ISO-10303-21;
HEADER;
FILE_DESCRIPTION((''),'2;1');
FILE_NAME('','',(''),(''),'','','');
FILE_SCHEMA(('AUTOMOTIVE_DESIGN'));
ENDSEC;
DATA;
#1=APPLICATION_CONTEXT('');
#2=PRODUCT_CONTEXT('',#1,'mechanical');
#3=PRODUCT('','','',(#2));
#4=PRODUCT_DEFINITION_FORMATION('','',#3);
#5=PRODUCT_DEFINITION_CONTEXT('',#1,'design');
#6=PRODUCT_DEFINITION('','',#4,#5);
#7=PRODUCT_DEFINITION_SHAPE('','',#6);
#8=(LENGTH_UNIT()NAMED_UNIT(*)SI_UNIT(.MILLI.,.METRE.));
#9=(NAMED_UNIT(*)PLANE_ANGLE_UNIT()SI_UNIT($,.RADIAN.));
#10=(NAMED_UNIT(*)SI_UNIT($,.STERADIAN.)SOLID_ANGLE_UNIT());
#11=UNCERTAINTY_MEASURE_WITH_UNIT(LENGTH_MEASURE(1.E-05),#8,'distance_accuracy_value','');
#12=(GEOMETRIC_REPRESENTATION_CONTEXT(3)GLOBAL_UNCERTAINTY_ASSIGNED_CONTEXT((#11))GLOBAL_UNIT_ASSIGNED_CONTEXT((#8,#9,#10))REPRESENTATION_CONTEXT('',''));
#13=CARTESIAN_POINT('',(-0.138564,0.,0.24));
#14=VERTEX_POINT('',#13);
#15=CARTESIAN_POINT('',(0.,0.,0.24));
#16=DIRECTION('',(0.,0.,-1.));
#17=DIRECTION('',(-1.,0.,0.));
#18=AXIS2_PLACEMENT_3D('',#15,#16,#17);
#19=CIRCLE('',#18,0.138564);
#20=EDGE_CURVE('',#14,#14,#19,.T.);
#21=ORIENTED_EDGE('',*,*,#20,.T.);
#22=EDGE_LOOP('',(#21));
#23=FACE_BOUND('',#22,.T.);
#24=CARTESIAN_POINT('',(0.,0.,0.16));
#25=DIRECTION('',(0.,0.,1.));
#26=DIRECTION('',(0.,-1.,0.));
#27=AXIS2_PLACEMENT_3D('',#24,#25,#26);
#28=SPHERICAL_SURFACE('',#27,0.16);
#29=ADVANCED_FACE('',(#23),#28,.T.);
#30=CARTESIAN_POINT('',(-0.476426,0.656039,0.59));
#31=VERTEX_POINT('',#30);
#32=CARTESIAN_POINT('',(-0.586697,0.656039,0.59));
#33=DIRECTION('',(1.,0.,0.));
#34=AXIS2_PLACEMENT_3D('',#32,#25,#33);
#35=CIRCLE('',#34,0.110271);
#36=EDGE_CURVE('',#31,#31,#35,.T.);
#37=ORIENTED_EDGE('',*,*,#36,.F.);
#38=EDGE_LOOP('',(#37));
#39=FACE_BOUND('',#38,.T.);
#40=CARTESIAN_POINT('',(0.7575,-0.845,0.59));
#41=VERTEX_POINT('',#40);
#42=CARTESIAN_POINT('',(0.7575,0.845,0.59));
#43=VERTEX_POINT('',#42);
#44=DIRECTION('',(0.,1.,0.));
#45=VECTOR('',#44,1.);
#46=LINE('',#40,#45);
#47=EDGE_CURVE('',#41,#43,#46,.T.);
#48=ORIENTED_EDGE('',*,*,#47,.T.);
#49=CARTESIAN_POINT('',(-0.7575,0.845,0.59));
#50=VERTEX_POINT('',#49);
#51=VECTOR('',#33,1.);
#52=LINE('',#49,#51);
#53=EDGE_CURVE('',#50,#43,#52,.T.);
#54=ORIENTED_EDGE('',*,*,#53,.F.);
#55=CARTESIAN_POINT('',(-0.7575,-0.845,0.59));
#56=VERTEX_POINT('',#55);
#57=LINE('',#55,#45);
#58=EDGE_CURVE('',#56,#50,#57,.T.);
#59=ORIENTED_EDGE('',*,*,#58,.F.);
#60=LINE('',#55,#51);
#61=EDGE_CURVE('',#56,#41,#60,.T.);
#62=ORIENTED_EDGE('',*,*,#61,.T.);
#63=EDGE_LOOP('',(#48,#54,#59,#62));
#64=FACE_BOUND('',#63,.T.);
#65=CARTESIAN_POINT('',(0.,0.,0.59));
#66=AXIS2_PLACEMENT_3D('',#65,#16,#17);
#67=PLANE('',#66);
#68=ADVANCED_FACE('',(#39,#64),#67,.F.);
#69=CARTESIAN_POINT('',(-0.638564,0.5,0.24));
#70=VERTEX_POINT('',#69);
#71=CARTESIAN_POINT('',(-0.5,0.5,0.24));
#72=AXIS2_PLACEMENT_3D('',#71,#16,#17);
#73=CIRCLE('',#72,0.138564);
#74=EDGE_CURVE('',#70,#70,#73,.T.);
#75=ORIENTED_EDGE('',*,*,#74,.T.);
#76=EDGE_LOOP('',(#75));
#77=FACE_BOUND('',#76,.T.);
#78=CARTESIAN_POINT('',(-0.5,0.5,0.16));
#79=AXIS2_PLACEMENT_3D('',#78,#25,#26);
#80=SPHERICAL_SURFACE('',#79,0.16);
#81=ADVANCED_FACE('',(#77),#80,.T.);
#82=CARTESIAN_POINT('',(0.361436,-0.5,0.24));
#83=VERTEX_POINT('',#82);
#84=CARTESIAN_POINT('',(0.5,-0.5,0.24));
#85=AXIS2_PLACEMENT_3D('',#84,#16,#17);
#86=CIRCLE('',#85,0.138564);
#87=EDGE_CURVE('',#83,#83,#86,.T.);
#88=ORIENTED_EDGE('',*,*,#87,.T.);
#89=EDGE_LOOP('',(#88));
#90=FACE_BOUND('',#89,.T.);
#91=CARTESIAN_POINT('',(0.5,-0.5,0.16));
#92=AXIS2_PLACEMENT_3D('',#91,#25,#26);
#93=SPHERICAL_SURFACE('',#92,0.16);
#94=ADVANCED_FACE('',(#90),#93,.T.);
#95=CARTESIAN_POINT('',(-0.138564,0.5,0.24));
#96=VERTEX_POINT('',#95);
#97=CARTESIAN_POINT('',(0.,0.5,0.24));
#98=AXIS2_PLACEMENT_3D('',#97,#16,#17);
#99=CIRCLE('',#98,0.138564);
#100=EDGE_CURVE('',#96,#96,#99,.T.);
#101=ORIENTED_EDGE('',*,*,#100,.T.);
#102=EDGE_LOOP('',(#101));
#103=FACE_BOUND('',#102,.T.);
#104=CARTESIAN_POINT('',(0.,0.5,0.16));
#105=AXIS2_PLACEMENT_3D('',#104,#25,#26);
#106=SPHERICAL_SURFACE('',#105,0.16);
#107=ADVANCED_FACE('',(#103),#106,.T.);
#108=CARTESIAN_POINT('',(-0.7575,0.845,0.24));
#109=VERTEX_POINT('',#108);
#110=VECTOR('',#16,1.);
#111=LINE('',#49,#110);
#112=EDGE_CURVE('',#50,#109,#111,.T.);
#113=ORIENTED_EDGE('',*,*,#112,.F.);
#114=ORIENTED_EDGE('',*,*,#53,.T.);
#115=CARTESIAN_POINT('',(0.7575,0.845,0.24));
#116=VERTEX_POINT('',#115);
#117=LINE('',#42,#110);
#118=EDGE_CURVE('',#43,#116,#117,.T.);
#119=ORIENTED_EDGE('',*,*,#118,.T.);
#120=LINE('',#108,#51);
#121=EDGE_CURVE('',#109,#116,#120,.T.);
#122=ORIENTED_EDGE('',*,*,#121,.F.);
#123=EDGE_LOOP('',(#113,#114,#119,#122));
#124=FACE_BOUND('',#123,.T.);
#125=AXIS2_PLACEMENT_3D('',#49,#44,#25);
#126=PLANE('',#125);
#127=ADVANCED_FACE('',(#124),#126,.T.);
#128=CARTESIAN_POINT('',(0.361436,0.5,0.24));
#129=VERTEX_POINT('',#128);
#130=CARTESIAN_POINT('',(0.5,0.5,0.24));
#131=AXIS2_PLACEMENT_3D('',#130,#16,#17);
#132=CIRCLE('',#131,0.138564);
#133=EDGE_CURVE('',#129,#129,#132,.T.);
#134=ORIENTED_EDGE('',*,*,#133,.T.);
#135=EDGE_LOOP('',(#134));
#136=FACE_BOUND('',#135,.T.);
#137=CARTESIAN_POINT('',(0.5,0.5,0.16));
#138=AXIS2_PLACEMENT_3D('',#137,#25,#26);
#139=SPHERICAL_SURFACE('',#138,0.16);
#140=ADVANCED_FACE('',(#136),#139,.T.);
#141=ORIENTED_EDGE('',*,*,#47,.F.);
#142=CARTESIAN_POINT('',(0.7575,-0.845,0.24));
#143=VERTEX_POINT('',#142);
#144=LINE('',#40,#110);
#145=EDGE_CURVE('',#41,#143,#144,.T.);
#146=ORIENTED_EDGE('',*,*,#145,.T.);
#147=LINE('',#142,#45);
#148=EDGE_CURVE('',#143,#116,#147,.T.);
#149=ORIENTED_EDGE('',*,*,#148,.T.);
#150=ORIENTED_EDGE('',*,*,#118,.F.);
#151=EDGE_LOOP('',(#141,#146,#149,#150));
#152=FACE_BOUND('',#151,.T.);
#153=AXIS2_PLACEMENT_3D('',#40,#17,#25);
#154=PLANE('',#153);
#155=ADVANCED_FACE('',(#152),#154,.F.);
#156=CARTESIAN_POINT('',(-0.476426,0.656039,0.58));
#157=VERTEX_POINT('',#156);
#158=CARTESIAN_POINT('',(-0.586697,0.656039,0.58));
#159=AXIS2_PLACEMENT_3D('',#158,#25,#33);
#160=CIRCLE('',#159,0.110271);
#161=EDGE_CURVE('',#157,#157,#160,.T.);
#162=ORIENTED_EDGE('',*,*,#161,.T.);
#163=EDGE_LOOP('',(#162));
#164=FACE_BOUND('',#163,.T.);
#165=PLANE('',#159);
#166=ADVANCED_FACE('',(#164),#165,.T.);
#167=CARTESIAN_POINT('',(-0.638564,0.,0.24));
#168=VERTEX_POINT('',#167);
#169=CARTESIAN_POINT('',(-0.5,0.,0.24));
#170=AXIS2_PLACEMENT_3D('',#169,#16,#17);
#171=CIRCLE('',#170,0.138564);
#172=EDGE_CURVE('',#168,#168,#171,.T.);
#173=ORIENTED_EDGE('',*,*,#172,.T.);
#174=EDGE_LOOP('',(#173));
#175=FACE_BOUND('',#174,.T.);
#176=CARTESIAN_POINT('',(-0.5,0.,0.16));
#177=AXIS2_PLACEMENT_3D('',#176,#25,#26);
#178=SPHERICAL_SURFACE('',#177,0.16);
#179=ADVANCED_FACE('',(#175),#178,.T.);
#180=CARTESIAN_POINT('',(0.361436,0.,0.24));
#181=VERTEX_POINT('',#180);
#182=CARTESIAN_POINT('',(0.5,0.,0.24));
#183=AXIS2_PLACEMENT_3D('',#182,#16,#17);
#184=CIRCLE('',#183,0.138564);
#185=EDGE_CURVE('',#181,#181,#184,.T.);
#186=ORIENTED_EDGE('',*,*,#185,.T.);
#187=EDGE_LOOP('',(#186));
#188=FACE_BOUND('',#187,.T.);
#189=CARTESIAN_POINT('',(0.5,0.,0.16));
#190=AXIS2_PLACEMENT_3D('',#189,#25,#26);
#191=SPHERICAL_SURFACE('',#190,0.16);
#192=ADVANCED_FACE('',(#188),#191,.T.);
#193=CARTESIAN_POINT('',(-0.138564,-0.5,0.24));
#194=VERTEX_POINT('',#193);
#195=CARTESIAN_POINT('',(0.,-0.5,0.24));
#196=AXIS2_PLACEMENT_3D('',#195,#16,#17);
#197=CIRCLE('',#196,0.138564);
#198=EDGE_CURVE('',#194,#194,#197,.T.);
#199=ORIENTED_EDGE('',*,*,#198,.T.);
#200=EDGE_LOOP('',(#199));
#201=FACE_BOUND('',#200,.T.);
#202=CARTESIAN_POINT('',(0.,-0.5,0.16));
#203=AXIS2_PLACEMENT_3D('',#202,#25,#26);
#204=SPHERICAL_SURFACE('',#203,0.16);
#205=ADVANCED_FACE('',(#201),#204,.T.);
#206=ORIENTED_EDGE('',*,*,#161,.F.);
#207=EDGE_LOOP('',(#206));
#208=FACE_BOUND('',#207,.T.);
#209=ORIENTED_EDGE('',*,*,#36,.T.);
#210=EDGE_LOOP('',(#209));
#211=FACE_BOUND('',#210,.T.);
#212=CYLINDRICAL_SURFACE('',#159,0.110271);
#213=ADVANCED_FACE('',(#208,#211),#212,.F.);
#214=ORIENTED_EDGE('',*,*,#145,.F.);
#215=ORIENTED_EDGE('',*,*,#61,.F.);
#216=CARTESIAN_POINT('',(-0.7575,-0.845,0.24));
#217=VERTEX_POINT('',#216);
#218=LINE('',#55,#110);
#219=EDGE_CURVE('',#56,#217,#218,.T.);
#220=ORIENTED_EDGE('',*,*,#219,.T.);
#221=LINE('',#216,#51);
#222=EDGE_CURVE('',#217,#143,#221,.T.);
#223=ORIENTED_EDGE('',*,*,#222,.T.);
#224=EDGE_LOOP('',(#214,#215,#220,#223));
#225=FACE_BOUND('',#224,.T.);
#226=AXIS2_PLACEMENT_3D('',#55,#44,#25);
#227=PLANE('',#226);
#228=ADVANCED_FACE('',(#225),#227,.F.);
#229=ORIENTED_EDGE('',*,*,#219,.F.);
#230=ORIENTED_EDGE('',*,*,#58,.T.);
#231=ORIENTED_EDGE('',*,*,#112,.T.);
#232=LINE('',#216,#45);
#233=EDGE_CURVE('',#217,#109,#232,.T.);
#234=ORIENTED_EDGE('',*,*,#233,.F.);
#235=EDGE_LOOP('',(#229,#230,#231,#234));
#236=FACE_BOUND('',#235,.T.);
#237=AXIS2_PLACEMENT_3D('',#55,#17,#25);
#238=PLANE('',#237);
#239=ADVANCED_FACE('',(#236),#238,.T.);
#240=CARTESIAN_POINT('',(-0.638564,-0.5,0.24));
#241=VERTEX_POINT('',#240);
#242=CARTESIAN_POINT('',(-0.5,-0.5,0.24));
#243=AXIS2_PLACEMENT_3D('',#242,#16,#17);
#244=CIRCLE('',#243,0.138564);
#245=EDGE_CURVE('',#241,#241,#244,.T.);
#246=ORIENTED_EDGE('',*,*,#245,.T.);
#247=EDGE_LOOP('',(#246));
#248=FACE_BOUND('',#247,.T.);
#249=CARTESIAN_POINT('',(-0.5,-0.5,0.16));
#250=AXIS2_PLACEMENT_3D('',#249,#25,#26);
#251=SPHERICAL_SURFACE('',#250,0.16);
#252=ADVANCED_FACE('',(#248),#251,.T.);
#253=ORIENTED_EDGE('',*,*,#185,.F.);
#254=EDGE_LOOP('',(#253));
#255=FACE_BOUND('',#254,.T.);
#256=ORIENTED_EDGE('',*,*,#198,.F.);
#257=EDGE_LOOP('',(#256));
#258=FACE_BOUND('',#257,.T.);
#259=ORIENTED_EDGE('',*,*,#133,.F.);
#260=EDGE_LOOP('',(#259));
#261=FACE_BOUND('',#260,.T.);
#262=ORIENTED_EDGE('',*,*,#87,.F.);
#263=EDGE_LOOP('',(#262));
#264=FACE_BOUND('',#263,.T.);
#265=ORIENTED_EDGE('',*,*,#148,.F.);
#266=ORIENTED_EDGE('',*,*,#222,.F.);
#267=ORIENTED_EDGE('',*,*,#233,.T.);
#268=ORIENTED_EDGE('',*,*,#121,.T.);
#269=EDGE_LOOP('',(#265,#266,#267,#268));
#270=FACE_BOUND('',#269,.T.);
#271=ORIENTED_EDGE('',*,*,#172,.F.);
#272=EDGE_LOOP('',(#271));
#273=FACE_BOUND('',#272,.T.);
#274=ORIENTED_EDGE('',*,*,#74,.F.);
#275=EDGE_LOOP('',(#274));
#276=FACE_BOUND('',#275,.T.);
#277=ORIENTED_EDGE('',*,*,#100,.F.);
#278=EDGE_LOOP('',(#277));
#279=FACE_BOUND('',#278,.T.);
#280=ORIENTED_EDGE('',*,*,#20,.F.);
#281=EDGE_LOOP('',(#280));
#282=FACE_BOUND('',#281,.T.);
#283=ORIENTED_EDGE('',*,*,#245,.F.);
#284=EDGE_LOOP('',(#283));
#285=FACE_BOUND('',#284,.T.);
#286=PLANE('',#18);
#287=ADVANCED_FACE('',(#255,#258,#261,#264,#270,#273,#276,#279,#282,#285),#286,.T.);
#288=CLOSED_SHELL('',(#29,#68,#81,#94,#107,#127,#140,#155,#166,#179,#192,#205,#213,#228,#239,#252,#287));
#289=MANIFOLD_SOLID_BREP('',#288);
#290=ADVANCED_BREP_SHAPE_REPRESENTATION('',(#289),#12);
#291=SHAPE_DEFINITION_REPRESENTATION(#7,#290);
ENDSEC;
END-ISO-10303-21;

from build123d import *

# Parameters (mm, degrees)
BOSS_EXTRUDE1_START  = 0.24
SKETCH1_W            = 1.515
SKETCH1_H            = 1.69
BOSS_EXTRUDE1_DEPTH  = 0.35
SKETCH2_R            = 0.110270935
CUT_EXTRUDE1_DEPTH   = 0.01
LPATTERN1_COUNT      = 3
LPATTERN1_PITCH      = 0.5
LPATTERN1_COUNT_DIR2 = 3
LPATTERN1_PITCH_DIR2 = 0.5


with BuildPart() as part:
    # Sketch1 → Boss-Extrude1 (new body)
    with BuildSketch(Plane.XY.offset(BOSS_EXTRUDE1_START)):
        Rectangle(SKETCH1_W, SKETCH1_H)
    extrude(amount=BOSS_EXTRUDE1_DEPTH)

    # Sketch2 → Cut-Extrude1 (cut)
    with BuildSketch(Plane.XY.offset(0.59)):
        with Locations((-0.586697282, 0.656038771)):
            Circle(SKETCH2_R)
    extrude(amount=-CUT_EXTRUDE1_DEPTH, mode=Mode.SUBTRACT)

    # Sketch3 → Revolve1 (revolve)
    with BuildSketch(Plane(origin=(0.5, 0, 0), x_dir=(0, 0, -1), z_dir=(1, 0, 0))):
        with BuildLine():
            Line((-0.24, 0.5), (-0.24, 0.361435935))
            ThreePointArc((-0.24, 0.361435935), (-0.08, 0.361435935), (0, 0.5))
            Line((0, 0.5), (-0.24, 0.5))
        make_face()
    revolve1 = revolve(axis=Axis((0.5, 0.5, 0.24), (0, 0, -1)))

    # LPattern1: Revolve1 3 × 3
    with Locations(*[(-i * LPATTERN1_PITCH, -j * LPATTERN1_PITCH_DIR2, 0) for i in range(LPATTERN1_COUNT) for j in range(LPATTERN1_COUNT_DIR2) if (i, j) != (0, 0)]):
        add(revolve1)


solid = part.part
